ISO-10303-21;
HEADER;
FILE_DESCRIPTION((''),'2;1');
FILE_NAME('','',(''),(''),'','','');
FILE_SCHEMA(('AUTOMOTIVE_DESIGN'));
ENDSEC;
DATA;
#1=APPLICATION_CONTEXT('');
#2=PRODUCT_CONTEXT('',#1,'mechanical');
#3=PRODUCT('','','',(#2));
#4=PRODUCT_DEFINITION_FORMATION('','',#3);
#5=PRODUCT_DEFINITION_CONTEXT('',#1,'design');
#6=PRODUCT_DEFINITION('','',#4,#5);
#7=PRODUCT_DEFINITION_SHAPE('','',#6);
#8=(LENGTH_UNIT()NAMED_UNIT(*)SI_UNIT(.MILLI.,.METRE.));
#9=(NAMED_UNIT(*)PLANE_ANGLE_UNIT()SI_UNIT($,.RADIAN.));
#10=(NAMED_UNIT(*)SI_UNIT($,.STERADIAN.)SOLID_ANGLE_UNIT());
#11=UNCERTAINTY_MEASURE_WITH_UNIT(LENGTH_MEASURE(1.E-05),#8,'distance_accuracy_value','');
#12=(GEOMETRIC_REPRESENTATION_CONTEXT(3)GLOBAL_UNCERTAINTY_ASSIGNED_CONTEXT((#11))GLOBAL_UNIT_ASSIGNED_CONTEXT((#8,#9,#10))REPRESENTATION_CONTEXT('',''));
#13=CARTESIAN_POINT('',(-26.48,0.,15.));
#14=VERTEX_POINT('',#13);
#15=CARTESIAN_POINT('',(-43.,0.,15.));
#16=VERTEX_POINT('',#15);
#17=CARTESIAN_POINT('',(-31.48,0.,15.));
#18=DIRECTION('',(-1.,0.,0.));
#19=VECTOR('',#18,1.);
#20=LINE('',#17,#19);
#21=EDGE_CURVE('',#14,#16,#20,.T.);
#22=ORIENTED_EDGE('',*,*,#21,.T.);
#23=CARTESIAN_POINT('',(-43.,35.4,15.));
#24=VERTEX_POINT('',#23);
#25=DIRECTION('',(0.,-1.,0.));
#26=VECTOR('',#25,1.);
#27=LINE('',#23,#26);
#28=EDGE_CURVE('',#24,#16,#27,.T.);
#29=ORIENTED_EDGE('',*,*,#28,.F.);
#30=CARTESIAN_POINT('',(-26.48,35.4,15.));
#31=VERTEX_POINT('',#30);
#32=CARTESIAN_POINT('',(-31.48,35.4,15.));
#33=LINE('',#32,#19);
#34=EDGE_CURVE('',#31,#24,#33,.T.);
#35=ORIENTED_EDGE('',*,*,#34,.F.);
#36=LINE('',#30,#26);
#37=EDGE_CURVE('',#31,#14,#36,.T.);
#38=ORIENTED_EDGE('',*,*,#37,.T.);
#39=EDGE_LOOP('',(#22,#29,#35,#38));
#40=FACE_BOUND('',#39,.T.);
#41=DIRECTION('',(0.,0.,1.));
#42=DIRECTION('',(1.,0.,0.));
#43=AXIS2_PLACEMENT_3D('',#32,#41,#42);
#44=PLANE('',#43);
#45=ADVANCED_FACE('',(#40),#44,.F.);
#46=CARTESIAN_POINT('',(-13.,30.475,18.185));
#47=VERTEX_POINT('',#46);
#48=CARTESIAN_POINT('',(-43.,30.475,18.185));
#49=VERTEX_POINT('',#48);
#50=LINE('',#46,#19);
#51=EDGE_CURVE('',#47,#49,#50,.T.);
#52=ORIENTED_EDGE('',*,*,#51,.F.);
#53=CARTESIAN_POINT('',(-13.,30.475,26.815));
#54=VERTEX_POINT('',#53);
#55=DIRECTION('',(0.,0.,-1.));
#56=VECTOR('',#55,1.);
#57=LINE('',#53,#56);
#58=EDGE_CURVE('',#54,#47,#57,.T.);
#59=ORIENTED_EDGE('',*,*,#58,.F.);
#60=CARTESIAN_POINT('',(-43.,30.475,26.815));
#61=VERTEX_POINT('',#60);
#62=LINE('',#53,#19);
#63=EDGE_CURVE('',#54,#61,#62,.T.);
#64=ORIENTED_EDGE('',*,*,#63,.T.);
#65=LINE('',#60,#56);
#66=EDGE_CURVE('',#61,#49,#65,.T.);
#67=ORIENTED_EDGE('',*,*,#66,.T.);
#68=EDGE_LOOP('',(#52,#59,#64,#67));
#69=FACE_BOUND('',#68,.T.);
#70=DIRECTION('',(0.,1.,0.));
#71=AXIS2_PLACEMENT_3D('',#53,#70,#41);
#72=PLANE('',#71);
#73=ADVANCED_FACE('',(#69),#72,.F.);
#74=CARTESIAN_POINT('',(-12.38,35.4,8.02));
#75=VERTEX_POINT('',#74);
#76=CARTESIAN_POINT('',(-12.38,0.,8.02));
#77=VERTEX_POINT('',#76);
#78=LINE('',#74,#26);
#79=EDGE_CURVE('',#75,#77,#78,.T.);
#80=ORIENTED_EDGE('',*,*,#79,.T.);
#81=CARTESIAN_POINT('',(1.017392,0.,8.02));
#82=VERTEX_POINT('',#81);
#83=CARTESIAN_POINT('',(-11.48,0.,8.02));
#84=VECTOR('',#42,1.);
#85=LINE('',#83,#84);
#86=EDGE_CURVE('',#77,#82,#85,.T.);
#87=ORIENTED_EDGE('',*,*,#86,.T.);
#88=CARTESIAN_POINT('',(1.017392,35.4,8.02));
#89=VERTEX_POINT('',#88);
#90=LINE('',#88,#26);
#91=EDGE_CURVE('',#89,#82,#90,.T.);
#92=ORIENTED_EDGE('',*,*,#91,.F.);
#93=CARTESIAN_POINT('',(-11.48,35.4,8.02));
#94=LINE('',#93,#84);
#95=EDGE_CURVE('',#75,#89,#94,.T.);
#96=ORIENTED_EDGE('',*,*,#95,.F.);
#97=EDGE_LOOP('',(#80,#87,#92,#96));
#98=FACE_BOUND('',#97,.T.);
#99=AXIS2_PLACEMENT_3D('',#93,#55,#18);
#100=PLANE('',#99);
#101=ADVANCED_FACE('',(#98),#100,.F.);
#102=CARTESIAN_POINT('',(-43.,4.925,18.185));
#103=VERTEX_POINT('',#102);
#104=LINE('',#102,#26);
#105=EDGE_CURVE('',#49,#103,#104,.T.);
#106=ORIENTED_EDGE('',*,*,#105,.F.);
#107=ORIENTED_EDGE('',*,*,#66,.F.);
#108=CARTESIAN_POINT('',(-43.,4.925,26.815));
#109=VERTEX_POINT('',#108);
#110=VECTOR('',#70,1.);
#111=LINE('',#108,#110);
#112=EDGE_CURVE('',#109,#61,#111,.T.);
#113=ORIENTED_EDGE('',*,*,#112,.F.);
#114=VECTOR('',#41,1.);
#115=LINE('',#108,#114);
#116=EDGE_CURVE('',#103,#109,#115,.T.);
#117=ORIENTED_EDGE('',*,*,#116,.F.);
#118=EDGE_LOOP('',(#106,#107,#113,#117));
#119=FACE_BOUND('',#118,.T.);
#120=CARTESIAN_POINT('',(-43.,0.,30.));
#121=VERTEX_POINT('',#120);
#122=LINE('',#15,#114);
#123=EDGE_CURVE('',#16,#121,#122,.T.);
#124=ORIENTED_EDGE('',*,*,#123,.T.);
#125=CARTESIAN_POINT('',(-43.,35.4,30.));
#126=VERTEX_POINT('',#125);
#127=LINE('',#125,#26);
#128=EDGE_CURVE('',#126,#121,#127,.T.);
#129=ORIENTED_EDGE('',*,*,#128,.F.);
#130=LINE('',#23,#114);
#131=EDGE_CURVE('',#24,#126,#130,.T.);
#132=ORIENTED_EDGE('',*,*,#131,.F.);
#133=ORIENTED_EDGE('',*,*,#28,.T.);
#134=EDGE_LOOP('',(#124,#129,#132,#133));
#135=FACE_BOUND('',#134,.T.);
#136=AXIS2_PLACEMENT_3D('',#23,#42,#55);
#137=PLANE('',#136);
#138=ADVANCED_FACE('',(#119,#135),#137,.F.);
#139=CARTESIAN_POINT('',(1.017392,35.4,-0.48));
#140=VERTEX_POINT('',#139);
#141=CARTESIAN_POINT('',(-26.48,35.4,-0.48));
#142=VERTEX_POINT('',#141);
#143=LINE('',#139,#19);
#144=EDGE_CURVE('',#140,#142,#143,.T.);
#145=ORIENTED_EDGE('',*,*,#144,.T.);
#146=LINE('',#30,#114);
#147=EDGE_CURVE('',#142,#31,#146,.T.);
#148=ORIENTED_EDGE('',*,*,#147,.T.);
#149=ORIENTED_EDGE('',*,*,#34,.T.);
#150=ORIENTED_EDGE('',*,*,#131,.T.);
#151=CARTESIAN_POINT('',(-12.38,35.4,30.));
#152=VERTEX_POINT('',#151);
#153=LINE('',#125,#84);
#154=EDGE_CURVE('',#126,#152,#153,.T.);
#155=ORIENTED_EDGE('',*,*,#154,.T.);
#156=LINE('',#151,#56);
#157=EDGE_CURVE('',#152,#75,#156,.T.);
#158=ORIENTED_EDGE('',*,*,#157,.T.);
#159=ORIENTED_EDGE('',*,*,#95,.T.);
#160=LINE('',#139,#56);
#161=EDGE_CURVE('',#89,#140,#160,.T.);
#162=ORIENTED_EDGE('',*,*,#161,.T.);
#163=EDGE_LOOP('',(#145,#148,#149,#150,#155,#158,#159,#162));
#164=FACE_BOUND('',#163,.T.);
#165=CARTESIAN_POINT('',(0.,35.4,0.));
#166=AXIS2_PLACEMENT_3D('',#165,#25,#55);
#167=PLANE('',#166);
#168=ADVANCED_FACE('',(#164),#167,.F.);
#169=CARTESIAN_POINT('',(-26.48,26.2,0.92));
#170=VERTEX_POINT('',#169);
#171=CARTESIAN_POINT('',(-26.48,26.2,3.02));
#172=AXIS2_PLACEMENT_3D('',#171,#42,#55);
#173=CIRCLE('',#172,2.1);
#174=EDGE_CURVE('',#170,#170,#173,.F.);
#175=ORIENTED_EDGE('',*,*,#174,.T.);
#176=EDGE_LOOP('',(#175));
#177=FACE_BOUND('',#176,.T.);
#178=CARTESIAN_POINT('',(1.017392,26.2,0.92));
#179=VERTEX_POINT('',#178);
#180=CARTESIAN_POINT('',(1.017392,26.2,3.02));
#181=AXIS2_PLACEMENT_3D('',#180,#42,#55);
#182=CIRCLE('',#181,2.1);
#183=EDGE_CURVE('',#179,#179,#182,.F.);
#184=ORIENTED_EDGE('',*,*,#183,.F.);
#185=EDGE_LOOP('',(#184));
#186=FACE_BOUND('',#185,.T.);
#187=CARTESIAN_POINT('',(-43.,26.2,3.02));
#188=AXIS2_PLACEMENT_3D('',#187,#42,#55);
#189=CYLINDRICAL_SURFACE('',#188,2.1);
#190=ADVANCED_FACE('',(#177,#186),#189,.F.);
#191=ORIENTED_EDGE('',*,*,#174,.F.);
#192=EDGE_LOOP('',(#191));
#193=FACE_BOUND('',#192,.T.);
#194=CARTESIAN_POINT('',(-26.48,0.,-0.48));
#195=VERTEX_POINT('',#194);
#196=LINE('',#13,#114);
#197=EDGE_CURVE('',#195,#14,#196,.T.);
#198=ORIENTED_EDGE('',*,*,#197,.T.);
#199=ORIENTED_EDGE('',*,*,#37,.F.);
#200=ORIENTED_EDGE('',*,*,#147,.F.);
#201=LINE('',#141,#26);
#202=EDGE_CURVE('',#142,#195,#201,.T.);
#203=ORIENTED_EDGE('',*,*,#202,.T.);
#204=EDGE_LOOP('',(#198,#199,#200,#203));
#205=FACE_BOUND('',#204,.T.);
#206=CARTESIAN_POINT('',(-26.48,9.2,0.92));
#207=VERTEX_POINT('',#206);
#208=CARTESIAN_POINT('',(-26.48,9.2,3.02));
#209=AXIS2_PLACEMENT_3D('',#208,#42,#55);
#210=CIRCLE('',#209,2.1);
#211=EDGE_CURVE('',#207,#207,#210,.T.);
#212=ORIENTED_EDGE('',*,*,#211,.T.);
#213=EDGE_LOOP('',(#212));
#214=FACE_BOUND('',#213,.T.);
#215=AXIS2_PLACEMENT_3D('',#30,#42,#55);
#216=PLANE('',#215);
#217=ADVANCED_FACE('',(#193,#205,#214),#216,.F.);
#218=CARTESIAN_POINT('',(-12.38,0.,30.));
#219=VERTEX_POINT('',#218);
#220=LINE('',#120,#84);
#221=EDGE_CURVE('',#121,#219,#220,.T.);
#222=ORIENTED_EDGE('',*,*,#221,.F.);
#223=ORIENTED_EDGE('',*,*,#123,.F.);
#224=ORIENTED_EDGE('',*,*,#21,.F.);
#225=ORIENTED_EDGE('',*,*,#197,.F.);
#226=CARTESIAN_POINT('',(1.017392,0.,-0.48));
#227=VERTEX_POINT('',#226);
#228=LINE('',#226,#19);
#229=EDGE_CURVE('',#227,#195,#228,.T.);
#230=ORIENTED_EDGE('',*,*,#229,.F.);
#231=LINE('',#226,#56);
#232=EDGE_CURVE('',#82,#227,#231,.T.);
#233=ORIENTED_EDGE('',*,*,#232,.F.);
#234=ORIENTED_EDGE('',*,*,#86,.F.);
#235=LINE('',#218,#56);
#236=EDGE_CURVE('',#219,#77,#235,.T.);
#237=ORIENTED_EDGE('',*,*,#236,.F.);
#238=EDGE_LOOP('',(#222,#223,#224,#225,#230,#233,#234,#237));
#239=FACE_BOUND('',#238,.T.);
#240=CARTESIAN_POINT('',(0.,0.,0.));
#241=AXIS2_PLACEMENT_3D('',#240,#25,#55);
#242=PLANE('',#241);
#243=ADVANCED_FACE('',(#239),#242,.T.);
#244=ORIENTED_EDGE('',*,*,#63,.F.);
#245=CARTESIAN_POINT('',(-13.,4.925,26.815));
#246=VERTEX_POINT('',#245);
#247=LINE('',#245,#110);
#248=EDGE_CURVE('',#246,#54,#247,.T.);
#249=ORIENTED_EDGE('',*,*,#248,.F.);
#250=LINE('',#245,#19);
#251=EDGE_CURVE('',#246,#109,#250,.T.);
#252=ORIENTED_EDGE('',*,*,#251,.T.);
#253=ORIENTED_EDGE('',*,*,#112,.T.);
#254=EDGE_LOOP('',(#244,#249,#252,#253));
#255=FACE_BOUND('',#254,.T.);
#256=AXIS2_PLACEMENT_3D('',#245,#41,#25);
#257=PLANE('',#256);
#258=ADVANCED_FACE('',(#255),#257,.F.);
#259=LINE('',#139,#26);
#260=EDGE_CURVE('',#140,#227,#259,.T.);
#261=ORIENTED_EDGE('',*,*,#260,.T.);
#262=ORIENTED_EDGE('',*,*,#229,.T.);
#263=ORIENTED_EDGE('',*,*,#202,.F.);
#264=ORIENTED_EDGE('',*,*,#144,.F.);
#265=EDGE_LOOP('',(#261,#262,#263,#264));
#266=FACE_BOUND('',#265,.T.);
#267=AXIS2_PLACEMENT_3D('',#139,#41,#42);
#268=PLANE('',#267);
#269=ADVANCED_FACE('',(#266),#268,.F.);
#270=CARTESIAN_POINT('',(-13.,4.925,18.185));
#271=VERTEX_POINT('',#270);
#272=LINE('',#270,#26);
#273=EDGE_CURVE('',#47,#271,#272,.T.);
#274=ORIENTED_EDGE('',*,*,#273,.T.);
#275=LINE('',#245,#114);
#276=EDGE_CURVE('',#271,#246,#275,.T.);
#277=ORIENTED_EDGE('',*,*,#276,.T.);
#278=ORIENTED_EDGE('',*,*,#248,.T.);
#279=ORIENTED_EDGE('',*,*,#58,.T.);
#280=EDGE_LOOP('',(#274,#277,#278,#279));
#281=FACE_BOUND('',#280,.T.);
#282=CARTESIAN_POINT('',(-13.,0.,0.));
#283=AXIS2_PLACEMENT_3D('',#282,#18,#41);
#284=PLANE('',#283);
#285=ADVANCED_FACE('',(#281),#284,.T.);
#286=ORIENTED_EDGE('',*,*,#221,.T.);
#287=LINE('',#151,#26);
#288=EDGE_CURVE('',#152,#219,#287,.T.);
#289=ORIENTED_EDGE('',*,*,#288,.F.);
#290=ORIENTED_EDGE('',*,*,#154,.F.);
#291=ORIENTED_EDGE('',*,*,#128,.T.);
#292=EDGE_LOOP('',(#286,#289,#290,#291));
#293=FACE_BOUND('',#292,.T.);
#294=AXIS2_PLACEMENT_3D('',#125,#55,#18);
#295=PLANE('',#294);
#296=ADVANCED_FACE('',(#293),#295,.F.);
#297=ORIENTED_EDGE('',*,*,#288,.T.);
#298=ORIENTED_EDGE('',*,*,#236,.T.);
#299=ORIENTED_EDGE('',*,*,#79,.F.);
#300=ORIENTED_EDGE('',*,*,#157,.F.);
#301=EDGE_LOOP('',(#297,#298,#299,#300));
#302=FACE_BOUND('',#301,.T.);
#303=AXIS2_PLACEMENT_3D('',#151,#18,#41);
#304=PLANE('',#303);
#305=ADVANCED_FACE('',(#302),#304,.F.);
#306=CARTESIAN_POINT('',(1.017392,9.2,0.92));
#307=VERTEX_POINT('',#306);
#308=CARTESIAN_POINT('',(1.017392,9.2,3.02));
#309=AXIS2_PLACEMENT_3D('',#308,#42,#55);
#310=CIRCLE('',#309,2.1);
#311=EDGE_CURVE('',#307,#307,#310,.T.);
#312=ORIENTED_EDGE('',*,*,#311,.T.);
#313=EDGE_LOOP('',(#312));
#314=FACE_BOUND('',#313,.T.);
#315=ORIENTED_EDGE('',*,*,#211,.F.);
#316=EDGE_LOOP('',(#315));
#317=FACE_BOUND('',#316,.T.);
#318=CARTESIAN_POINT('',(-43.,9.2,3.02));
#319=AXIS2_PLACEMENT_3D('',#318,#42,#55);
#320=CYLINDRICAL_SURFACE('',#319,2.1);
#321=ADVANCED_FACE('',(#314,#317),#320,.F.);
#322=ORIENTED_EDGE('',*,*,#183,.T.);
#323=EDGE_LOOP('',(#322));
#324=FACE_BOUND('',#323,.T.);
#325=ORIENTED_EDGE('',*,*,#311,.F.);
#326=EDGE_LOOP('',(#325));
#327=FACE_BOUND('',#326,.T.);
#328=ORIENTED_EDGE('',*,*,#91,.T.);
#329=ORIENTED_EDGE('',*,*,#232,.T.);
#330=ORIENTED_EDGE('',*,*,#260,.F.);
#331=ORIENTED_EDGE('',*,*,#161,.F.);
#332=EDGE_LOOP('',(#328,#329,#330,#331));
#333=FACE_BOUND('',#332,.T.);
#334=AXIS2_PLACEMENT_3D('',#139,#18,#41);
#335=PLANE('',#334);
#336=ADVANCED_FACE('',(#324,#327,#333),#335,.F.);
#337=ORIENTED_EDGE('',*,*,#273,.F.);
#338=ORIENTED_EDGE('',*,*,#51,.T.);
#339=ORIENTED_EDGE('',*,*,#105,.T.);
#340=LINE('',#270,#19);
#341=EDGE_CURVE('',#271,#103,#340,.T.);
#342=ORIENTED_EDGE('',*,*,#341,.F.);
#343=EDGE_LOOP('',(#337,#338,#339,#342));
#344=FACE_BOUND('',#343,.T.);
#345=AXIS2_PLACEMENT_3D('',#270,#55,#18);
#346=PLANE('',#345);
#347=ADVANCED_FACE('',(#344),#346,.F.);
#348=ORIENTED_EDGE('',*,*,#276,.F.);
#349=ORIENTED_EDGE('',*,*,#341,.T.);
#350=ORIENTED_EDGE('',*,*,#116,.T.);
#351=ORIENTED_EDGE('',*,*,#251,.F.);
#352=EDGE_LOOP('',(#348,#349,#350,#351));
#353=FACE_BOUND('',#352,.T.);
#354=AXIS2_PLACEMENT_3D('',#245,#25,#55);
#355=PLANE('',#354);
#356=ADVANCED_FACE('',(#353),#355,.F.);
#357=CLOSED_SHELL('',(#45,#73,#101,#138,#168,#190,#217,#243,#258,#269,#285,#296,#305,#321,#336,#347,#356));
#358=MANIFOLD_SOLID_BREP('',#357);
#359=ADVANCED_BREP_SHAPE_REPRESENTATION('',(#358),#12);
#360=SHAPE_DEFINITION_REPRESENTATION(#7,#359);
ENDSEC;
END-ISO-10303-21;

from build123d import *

# Parameters (mm, degrees)
BOSS_EXTRUDE1_DEPTH = 35.4
SKETCH2_W           = 8.63
SKETCH2_H           = 25.55
CUT_EXTRUDE1_DEPTH  = 30
SKETCH3_R           = 2.1
CUT_EXTRUDE2_DEPTH  = 64.958508207


with BuildPart() as part:
    # Sketch1 → Boss-Extrude1 (new body)
    with BuildSketch(Plane(origin=(0, 0, 0), x_dir=(1, 0, 0), z_dir=(0, 1, 0))):
        Polygon((1.0173917, 0.48), (-26.48, 0.48), (-26.48, -15), (-31.48, -15), (-43, -15), (-43, -30), (-12.38, -30), (-12.38, -8.02), (-11.48, -8.02), (1.0173917, -8.02), align=None)
    extrude(amount=BOSS_EXTRUDE1_DEPTH)

    # Sketch2 → Cut-Extrude1 (cut)
    with BuildSketch(Plane.ZY.offset(43)):
        with Locations((22.5, 17.7)):
            Rectangle(SKETCH2_W, SKETCH2_H)
    extrude(amount=-CUT_EXTRUDE1_DEPTH, mode=Mode.SUBTRACT)

    # Sketch3 → Cut-Extrude2 (cut, through all)
    with BuildSketch(Plane(origin=(1.0173917, 0, 0), x_dir=(0, 0, -1), z_dir=(1, 0, 0))):
        with Locations((-3.02, 9.2)):
            Circle(SKETCH3_R)
        with Locations((-3.02, 26.2)):
            Circle(SKETCH3_R)
    extrude(amount=-CUT_EXTRUDE2_DEPTH, mode=Mode.SUBTRACT)


solid = part.part
